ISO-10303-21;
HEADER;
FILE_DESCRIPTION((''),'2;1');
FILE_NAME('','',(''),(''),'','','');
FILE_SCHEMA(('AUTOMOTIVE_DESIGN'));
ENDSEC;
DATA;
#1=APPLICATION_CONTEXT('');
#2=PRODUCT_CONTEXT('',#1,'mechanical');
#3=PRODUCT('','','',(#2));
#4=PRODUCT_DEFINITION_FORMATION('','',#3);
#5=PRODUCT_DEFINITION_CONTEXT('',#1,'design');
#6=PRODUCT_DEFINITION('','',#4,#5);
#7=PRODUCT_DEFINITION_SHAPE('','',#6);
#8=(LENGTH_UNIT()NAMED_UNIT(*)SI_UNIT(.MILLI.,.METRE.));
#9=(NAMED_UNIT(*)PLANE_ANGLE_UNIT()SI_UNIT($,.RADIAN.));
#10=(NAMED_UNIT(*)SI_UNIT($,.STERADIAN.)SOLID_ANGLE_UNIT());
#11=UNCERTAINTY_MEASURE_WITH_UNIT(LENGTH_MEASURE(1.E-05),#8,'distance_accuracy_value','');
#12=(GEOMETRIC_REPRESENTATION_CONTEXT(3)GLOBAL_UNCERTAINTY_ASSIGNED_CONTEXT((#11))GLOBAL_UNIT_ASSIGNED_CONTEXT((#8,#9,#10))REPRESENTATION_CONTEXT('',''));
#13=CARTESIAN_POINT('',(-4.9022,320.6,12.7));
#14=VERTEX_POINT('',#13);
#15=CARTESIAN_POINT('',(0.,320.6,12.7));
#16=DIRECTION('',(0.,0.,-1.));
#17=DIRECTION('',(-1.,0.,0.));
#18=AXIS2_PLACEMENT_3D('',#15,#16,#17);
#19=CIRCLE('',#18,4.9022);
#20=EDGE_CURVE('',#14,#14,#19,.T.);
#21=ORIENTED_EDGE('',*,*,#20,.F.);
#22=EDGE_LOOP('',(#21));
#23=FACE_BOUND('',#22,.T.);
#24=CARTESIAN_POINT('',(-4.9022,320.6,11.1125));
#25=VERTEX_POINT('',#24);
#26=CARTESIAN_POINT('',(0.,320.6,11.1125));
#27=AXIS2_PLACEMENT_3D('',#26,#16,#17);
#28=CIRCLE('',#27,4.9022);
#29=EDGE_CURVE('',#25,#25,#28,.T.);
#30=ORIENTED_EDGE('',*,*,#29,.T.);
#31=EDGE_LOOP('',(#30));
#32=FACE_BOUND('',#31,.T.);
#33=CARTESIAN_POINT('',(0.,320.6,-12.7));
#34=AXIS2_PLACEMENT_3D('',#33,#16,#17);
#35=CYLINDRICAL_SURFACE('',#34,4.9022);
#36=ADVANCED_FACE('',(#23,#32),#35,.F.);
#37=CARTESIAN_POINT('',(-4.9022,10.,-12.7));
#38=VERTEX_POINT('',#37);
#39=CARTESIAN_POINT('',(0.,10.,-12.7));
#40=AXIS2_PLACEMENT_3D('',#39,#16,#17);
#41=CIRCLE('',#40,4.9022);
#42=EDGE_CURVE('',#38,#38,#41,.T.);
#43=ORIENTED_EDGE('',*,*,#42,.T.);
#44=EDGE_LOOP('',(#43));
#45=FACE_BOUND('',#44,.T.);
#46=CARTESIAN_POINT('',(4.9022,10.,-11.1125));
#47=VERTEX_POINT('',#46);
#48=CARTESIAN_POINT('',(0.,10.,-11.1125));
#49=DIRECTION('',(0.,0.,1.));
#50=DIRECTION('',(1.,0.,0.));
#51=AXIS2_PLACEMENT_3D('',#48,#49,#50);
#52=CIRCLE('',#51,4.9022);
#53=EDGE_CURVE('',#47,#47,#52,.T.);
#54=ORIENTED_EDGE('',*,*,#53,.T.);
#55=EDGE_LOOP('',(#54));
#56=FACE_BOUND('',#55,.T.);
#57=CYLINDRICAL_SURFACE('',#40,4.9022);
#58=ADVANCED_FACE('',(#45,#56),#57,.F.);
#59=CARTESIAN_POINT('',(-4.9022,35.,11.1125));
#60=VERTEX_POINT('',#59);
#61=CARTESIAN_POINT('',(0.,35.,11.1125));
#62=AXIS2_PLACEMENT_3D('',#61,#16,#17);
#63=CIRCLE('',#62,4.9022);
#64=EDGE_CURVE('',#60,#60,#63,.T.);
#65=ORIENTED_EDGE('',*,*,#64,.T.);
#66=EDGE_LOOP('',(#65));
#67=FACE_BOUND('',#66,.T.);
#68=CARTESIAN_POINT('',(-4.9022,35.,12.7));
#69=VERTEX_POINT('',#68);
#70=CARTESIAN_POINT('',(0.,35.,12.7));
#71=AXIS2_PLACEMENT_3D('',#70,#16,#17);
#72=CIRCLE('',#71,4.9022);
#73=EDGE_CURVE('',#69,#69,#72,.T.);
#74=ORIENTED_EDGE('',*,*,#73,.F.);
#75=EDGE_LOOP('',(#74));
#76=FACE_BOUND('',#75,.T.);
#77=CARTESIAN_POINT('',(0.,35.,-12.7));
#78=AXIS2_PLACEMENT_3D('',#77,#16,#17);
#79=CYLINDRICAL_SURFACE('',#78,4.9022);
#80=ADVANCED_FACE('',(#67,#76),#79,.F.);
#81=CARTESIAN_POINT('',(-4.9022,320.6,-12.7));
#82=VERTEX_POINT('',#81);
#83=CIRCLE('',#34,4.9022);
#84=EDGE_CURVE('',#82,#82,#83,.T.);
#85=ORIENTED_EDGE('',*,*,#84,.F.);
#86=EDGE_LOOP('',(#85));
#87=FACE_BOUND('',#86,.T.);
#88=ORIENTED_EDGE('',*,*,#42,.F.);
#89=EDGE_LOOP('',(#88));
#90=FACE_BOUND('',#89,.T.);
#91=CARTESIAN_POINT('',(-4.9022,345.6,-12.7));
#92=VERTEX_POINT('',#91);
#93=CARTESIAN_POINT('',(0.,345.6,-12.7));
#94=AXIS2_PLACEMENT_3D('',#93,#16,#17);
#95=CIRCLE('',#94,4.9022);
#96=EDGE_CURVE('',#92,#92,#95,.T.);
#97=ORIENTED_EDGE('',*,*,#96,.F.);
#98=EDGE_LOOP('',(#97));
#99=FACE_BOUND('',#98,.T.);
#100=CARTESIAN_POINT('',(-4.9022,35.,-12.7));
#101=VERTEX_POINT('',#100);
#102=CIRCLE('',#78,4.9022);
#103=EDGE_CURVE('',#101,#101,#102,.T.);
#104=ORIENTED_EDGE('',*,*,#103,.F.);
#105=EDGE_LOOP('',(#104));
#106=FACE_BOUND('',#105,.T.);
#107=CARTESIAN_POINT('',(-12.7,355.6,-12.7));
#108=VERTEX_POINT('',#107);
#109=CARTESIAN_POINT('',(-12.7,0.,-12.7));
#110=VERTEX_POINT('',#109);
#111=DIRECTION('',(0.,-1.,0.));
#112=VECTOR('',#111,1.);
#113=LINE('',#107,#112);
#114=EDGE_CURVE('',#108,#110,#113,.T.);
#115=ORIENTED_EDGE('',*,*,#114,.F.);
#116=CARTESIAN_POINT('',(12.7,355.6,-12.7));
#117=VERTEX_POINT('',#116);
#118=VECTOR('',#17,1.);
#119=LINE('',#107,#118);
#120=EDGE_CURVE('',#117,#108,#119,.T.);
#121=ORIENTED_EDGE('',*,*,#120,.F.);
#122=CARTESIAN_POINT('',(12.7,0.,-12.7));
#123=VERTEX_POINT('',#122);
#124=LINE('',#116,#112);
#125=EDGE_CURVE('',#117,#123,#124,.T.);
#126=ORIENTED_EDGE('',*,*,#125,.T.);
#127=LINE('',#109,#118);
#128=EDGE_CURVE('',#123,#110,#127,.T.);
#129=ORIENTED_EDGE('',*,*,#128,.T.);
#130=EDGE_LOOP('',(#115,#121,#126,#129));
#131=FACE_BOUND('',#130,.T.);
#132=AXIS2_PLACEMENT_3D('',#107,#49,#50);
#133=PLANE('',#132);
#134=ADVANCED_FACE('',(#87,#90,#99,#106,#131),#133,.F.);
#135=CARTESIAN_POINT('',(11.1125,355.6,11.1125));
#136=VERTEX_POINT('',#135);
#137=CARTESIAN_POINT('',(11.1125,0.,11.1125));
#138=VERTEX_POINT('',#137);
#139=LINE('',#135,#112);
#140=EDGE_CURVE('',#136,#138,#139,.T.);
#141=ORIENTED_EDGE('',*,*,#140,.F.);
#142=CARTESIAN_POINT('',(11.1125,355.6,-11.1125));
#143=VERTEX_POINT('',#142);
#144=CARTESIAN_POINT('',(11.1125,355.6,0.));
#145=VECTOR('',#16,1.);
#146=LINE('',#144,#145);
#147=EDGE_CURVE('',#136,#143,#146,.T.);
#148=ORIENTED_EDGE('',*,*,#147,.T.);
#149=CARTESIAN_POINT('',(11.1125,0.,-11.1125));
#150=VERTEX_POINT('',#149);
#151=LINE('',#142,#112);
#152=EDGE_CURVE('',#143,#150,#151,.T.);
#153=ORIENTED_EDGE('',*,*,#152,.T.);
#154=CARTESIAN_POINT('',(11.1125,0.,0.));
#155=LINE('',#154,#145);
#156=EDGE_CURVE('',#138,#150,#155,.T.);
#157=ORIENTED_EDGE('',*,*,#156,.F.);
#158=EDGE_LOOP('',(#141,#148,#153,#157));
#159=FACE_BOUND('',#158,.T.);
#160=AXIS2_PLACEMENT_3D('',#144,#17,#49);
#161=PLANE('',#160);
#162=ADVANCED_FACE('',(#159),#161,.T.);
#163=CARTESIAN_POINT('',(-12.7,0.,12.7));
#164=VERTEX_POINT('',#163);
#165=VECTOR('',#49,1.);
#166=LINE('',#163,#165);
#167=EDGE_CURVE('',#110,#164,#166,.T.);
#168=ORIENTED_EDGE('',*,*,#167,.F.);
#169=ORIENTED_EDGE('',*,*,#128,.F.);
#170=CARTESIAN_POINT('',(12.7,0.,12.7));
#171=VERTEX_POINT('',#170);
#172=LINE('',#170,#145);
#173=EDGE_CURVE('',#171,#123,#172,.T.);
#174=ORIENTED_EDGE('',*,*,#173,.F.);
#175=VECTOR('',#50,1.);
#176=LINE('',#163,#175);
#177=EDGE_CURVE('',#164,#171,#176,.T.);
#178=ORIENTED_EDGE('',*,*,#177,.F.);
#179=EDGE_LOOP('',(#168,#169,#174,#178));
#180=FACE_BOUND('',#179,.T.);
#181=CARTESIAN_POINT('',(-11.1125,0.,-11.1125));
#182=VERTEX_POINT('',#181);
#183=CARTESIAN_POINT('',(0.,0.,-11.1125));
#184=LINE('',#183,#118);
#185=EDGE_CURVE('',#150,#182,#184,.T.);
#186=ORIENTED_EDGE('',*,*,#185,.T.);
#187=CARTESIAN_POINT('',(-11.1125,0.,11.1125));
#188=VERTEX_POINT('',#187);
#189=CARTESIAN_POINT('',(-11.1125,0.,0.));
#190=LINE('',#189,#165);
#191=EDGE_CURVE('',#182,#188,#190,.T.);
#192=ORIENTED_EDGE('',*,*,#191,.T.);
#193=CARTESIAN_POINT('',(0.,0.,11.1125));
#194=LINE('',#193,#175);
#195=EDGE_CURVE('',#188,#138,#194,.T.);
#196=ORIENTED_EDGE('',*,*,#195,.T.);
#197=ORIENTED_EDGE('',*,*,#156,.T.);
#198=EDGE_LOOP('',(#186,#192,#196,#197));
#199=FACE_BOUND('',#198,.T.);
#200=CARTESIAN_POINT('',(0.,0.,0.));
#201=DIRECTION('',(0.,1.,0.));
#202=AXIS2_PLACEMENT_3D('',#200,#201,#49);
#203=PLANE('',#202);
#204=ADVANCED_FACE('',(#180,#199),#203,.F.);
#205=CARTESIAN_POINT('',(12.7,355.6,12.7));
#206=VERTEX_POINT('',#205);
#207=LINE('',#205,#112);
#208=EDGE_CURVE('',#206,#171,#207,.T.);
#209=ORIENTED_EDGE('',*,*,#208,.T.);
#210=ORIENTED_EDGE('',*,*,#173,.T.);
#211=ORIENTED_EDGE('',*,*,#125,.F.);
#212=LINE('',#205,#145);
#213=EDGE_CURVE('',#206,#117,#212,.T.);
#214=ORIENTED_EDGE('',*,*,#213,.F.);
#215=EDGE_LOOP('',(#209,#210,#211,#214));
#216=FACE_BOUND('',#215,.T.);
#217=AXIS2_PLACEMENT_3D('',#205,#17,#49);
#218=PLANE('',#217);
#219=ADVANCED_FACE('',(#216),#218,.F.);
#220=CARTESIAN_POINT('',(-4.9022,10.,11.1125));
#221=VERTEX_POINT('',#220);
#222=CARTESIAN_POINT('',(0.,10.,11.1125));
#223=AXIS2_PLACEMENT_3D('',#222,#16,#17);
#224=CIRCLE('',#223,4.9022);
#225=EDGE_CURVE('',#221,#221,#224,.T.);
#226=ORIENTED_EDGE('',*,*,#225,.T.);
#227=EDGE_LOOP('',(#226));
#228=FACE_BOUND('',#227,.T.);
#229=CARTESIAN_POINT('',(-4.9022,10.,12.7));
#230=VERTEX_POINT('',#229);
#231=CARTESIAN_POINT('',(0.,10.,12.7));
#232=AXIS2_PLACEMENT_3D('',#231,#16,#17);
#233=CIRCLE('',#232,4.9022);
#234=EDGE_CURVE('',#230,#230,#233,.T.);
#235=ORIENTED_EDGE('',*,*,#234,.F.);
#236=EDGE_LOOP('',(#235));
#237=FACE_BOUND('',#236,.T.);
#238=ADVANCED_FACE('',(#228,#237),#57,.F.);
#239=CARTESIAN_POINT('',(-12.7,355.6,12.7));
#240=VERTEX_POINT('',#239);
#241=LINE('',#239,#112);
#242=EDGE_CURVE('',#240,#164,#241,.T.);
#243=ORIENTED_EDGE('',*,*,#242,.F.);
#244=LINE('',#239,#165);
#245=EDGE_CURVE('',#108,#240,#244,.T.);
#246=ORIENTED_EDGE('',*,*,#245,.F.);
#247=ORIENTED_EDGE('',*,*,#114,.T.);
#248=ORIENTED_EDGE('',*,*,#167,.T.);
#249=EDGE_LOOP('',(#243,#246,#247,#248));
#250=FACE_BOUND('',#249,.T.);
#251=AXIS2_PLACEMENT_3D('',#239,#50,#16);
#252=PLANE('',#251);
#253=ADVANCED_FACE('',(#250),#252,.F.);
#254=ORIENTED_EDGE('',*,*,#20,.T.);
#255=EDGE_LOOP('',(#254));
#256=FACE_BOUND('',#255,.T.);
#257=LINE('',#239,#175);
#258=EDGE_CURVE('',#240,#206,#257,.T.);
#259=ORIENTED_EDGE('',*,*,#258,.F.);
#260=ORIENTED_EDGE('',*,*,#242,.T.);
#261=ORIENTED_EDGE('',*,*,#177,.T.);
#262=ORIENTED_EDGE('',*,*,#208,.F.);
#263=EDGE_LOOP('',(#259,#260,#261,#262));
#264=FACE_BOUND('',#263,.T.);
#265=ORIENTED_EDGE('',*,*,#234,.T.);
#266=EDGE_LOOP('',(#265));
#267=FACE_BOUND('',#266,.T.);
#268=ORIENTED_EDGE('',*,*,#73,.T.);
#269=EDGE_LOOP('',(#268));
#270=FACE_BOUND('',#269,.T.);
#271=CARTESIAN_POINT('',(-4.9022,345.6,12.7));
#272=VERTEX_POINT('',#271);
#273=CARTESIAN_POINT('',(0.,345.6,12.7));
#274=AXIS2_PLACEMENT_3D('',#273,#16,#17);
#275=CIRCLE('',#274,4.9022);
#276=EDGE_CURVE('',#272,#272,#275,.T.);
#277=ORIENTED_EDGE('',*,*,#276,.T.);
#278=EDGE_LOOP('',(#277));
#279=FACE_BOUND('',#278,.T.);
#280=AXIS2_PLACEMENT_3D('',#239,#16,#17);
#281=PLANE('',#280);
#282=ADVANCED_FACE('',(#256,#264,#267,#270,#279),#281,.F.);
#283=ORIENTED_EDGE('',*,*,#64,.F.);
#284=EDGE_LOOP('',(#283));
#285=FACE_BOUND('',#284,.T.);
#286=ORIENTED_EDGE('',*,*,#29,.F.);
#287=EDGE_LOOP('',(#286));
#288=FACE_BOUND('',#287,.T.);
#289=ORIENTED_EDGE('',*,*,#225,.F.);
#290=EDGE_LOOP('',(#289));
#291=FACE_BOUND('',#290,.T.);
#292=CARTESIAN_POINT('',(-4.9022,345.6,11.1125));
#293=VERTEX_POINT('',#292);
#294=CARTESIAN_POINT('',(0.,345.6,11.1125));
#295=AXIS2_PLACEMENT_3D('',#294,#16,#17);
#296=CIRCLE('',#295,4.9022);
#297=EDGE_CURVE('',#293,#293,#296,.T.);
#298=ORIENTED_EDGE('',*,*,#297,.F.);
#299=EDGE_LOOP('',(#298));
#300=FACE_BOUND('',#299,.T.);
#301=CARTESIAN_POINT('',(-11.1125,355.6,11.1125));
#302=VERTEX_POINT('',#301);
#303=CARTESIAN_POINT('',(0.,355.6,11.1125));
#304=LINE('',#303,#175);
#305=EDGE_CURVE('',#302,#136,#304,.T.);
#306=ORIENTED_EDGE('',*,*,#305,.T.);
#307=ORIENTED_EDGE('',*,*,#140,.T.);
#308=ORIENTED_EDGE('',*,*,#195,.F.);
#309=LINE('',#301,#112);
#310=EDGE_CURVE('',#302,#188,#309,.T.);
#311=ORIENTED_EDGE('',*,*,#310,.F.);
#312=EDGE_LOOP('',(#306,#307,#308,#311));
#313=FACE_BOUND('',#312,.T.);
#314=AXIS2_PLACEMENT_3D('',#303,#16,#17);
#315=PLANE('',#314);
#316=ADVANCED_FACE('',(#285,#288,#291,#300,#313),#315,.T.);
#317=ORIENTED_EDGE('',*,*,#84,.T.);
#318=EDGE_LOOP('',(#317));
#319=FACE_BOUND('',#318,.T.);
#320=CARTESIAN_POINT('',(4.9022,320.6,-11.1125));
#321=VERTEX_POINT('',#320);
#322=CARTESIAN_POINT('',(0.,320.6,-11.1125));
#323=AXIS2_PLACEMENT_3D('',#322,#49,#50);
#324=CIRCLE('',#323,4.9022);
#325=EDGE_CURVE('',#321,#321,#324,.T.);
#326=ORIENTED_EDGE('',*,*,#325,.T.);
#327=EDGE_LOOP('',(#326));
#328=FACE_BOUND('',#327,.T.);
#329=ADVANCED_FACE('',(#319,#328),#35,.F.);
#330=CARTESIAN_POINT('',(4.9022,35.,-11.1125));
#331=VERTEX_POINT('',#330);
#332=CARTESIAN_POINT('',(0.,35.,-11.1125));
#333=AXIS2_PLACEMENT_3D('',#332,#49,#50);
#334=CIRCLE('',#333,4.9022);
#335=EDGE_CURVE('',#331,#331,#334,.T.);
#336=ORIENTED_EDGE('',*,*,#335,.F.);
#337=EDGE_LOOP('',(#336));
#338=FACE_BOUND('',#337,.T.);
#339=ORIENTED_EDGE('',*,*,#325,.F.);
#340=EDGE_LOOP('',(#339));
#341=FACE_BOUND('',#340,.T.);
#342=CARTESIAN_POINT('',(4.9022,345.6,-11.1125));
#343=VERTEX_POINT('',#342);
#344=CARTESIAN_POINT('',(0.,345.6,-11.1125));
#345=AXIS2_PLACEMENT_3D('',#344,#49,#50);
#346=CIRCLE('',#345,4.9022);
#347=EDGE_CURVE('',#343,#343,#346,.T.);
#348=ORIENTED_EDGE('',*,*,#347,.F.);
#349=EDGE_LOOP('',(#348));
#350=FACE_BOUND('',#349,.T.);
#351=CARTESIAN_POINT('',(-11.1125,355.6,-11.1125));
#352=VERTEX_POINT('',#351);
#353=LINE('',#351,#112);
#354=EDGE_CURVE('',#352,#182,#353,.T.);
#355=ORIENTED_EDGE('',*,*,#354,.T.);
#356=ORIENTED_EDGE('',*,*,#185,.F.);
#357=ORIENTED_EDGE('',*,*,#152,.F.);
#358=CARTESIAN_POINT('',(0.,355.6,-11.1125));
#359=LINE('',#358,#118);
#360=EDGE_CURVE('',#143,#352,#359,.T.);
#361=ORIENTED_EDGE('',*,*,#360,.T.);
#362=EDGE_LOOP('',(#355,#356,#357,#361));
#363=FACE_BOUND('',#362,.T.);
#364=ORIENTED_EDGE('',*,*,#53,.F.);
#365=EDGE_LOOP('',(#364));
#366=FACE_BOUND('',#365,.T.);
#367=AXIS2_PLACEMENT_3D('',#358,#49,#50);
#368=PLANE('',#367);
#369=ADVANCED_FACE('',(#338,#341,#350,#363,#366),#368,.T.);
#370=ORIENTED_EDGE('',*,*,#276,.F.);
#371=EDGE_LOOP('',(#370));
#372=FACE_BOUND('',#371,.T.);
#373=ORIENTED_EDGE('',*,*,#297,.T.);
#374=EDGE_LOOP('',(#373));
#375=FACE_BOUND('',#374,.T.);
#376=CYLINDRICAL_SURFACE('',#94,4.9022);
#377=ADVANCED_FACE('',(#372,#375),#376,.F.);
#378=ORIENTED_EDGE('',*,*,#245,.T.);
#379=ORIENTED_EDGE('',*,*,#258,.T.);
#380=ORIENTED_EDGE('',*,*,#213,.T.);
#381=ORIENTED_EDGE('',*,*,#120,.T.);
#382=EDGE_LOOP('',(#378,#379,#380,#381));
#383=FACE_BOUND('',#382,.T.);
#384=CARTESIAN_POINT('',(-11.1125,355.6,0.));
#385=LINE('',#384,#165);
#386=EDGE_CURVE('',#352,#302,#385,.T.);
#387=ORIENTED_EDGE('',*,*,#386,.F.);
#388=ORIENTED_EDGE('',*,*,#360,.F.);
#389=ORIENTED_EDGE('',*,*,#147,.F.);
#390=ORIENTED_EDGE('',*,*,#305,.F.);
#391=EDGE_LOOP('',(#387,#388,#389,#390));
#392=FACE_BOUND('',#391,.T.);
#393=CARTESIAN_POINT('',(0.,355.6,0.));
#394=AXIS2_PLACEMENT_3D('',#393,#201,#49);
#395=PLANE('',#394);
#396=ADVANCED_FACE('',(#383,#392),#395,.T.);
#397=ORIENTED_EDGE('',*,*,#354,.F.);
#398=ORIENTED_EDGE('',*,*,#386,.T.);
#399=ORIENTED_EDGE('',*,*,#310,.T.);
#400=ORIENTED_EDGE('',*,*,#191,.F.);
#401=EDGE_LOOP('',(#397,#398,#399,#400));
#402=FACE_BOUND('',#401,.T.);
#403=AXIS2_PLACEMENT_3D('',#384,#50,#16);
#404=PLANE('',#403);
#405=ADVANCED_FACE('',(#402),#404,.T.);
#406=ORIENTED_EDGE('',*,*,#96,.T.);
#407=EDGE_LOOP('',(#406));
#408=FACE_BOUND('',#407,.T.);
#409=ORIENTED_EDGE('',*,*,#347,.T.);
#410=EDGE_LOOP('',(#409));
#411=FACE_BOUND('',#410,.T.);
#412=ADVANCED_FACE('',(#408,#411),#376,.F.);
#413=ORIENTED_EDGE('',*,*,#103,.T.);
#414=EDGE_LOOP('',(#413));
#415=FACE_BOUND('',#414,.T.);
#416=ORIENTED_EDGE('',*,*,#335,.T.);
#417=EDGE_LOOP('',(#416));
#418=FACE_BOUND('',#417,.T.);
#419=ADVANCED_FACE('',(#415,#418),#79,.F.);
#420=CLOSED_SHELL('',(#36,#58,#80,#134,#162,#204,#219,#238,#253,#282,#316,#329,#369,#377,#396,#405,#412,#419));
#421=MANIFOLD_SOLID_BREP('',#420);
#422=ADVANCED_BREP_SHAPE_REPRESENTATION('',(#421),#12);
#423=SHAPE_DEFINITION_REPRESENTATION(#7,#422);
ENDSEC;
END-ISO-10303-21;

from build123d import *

# Parameters (mm, degrees)
SKETCH1_W               = 25.4
SKETCH1_H               = 25.4
SKETCH1_W_2             = 22.225
SKETCH1_H_2             = 22.225
EXTRUDE_THIN1_DEPTH     = 355.6
F_3_8_CLEARANCE_HOLE1_D = 9.8044


with BuildPart() as part:
    # Sketch1 → Extrude-Thin1 (new body)
    with BuildSketch(Plane(origin=(0, 0, 0), x_dir=(1, 0, 0), z_dir=(0, 1, 0))):
        Rectangle(SKETCH1_W, SKETCH1_H)
        Rectangle(SKETCH1_W_2, SKETCH1_H_2, mode=Mode.SUBTRACT)
    extrude(amount=EXTRUDE_THIN1_DEPTH)

    # 3/8 Clearance Hole1 (through all)
    with Locations(Plane(origin=(0, 0, -12.7), x_dir=(-1, 0, 0), z_dir=(0, 0, -1))):
        with Locations((0, 345.6), (0, 320.6), (0, 35), (0, 10)):
            Hole(F_3_8_CLEARANCE_HOLE1_D / 2)


solid = part.part
